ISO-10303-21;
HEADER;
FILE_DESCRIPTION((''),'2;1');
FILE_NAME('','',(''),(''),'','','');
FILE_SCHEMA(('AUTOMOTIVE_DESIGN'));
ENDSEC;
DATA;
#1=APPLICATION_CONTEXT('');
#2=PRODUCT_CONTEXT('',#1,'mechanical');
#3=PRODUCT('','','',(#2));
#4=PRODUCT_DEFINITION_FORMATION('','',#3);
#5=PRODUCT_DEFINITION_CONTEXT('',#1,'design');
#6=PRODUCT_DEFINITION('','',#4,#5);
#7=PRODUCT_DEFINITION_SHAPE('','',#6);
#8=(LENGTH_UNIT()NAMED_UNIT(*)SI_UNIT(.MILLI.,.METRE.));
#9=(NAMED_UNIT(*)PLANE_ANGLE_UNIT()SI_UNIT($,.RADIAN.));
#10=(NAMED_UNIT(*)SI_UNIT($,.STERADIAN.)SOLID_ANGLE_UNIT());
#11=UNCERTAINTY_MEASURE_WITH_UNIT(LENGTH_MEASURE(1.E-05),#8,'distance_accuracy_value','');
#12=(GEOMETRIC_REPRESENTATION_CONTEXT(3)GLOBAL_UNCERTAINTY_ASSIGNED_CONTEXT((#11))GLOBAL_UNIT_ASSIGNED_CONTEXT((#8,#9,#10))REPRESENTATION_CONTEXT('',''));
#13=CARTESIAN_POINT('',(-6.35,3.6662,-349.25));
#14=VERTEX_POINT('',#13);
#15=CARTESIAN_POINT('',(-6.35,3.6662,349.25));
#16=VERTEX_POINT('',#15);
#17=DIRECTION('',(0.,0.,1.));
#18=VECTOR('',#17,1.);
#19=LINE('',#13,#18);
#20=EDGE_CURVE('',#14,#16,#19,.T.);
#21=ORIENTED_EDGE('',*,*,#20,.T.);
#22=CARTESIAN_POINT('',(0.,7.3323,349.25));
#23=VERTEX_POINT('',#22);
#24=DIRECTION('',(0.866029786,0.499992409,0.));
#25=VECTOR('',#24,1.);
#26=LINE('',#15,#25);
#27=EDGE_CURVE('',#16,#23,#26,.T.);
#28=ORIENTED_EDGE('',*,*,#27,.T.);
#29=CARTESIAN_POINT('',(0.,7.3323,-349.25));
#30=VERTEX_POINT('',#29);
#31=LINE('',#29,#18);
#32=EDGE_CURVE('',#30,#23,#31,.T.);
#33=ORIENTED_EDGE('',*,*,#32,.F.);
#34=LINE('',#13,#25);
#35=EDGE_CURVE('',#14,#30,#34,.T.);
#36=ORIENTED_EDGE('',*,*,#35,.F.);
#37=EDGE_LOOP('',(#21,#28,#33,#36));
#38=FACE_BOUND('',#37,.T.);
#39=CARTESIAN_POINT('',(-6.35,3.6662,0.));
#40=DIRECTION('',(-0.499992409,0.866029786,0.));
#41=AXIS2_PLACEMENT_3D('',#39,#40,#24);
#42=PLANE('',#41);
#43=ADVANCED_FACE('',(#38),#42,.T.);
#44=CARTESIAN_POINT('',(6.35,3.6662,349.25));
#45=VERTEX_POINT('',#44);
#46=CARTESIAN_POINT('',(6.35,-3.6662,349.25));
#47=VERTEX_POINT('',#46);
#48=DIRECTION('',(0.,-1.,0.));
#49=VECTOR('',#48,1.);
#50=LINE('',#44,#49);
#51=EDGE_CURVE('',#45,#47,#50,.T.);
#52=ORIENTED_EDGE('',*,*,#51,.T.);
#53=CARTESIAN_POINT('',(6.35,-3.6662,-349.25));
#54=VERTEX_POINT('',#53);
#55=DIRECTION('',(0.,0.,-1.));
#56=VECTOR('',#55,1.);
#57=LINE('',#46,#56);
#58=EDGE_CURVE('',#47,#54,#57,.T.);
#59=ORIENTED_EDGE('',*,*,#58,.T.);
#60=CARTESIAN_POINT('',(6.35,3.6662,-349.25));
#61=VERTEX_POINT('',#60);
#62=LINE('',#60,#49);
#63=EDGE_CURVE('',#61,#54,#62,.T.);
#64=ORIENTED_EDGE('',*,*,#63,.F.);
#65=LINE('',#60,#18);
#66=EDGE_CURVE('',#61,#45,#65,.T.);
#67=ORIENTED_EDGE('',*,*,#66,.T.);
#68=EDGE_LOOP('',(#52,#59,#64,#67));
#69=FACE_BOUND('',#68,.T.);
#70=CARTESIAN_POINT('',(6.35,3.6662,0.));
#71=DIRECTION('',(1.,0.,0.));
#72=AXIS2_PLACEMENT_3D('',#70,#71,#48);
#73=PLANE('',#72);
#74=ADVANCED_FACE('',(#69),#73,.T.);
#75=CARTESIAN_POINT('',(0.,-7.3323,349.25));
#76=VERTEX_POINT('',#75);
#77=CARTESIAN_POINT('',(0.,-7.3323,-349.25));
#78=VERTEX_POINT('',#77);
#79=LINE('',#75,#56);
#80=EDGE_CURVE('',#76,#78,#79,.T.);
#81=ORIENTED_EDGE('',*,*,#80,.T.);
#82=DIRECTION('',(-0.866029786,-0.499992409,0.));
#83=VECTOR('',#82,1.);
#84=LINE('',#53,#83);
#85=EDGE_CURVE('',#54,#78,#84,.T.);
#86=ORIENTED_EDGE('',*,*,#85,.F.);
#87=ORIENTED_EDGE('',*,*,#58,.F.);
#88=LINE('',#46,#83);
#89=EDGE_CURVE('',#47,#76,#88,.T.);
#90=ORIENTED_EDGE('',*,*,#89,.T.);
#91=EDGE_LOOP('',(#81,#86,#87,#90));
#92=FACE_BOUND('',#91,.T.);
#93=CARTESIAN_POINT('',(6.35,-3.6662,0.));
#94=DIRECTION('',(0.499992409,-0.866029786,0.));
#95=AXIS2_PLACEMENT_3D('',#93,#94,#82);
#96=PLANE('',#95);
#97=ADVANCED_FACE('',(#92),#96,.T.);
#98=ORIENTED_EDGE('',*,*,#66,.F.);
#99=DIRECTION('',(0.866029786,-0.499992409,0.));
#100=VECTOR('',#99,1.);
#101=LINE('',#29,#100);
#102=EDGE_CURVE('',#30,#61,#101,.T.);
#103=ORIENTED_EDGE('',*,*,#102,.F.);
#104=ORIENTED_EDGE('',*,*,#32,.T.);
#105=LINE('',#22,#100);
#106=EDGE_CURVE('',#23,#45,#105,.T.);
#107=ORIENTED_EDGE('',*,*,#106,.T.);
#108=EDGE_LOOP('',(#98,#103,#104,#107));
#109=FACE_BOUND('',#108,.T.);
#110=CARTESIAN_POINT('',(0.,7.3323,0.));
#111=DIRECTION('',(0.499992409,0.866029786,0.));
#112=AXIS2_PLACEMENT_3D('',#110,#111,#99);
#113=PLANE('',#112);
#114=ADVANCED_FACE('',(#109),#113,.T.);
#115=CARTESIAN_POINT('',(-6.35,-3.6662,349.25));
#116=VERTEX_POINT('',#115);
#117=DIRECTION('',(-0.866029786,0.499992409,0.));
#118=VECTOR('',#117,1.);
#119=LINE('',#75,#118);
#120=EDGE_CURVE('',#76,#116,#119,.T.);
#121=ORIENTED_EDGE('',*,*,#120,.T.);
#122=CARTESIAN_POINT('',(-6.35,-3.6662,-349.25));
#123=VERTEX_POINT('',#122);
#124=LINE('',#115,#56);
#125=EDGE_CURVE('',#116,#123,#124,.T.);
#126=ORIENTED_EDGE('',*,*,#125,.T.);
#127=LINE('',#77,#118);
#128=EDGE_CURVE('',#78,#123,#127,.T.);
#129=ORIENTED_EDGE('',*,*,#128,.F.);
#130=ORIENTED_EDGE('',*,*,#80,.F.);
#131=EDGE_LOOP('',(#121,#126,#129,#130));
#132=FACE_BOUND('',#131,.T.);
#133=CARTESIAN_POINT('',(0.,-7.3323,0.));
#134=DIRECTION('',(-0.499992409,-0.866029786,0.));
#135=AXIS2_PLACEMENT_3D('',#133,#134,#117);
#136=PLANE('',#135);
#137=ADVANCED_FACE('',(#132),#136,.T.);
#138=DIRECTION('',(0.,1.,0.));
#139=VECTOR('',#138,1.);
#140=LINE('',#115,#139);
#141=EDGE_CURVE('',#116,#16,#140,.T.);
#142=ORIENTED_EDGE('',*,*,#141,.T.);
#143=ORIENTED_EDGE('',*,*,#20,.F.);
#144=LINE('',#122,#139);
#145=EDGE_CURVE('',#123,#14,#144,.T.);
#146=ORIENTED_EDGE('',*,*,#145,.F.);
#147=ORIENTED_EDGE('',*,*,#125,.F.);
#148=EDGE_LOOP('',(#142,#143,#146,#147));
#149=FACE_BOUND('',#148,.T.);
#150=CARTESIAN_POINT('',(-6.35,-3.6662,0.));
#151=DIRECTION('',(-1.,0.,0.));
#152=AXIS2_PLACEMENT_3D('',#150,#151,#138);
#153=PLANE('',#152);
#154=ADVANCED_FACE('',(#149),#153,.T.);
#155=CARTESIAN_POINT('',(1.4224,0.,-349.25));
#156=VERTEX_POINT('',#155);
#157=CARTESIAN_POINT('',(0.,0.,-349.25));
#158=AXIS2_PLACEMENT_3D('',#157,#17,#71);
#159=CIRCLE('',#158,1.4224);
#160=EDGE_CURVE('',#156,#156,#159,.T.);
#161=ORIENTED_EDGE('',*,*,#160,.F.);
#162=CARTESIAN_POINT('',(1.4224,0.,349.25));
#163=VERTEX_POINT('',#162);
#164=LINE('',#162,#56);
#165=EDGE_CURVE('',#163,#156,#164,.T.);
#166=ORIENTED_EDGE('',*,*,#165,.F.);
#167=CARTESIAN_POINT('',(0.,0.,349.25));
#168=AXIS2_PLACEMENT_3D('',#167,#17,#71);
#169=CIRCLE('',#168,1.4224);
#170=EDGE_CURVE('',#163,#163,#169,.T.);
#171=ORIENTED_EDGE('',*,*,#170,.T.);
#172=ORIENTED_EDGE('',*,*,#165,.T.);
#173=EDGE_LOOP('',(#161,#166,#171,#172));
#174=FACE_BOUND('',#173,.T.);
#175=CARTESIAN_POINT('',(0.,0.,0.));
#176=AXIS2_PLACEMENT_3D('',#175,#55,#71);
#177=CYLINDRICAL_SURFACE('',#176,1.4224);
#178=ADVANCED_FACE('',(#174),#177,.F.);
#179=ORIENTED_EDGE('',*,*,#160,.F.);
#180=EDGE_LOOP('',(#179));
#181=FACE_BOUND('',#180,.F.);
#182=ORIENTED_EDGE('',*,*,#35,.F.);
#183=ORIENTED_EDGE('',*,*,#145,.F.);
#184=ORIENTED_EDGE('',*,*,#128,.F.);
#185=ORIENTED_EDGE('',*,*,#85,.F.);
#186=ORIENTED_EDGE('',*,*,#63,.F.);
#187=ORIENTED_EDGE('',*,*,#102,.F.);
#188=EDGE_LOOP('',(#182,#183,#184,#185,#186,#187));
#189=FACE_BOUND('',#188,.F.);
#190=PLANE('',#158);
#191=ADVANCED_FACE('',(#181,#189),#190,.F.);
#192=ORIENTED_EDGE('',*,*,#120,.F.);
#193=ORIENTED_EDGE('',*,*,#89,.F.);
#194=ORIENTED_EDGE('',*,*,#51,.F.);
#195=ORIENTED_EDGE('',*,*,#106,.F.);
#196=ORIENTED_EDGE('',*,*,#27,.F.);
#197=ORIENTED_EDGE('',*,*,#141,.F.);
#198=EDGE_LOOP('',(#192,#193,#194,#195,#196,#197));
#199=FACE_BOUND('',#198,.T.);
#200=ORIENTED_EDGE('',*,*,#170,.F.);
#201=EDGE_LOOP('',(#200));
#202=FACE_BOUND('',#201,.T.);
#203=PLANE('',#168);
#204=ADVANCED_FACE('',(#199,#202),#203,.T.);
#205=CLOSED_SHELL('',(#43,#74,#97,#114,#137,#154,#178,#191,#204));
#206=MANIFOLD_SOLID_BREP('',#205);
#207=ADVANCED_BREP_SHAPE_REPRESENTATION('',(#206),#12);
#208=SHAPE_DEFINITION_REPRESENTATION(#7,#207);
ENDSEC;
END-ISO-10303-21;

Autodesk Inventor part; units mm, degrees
ref_plane "YZ Plane" through (0, 0, 0) normal (1, 0, 0) x (0, 1, 0)
ref_plane "XZ Plane" through (0, 0, 0) normal (0, 1, 0) x (-1, 0, 0)
ref_plane "XY Plane" through (0, 0, 0) normal (0, 0, 1) x (1, 0, 0)
sketch "Sketch1" plane through (0, 0, 0) normal (0, 0, 1) x (1, 0, 0)
  line L0 (6.35, 3.6662) -> (6.35, -3.6662)
  line L1 (6.35, -3.6662) -> (0, -7.3323)
  line L2 (0, -7.3323) -> (-6.35, -3.6662)
  line L3 (-6.35, -3.6662) -> (-6.35, 3.6662)
  line L4 (-6.35, 3.6662) -> (0, 7.3323)
  line L5 (0, 7.3323) -> (6.35, 3.6662)
  circle A0 centre (0, 0) radius 1.4224
  dimension "d0" = 12.7
  dimension "d3" = 2.8448
extrude "Extrusion1" add sketch "Sketch1" along normal mid plane 698.5
properties part number "INTAKE,SHAFT,HEX,0.500in" material "Aluminum 6061"
